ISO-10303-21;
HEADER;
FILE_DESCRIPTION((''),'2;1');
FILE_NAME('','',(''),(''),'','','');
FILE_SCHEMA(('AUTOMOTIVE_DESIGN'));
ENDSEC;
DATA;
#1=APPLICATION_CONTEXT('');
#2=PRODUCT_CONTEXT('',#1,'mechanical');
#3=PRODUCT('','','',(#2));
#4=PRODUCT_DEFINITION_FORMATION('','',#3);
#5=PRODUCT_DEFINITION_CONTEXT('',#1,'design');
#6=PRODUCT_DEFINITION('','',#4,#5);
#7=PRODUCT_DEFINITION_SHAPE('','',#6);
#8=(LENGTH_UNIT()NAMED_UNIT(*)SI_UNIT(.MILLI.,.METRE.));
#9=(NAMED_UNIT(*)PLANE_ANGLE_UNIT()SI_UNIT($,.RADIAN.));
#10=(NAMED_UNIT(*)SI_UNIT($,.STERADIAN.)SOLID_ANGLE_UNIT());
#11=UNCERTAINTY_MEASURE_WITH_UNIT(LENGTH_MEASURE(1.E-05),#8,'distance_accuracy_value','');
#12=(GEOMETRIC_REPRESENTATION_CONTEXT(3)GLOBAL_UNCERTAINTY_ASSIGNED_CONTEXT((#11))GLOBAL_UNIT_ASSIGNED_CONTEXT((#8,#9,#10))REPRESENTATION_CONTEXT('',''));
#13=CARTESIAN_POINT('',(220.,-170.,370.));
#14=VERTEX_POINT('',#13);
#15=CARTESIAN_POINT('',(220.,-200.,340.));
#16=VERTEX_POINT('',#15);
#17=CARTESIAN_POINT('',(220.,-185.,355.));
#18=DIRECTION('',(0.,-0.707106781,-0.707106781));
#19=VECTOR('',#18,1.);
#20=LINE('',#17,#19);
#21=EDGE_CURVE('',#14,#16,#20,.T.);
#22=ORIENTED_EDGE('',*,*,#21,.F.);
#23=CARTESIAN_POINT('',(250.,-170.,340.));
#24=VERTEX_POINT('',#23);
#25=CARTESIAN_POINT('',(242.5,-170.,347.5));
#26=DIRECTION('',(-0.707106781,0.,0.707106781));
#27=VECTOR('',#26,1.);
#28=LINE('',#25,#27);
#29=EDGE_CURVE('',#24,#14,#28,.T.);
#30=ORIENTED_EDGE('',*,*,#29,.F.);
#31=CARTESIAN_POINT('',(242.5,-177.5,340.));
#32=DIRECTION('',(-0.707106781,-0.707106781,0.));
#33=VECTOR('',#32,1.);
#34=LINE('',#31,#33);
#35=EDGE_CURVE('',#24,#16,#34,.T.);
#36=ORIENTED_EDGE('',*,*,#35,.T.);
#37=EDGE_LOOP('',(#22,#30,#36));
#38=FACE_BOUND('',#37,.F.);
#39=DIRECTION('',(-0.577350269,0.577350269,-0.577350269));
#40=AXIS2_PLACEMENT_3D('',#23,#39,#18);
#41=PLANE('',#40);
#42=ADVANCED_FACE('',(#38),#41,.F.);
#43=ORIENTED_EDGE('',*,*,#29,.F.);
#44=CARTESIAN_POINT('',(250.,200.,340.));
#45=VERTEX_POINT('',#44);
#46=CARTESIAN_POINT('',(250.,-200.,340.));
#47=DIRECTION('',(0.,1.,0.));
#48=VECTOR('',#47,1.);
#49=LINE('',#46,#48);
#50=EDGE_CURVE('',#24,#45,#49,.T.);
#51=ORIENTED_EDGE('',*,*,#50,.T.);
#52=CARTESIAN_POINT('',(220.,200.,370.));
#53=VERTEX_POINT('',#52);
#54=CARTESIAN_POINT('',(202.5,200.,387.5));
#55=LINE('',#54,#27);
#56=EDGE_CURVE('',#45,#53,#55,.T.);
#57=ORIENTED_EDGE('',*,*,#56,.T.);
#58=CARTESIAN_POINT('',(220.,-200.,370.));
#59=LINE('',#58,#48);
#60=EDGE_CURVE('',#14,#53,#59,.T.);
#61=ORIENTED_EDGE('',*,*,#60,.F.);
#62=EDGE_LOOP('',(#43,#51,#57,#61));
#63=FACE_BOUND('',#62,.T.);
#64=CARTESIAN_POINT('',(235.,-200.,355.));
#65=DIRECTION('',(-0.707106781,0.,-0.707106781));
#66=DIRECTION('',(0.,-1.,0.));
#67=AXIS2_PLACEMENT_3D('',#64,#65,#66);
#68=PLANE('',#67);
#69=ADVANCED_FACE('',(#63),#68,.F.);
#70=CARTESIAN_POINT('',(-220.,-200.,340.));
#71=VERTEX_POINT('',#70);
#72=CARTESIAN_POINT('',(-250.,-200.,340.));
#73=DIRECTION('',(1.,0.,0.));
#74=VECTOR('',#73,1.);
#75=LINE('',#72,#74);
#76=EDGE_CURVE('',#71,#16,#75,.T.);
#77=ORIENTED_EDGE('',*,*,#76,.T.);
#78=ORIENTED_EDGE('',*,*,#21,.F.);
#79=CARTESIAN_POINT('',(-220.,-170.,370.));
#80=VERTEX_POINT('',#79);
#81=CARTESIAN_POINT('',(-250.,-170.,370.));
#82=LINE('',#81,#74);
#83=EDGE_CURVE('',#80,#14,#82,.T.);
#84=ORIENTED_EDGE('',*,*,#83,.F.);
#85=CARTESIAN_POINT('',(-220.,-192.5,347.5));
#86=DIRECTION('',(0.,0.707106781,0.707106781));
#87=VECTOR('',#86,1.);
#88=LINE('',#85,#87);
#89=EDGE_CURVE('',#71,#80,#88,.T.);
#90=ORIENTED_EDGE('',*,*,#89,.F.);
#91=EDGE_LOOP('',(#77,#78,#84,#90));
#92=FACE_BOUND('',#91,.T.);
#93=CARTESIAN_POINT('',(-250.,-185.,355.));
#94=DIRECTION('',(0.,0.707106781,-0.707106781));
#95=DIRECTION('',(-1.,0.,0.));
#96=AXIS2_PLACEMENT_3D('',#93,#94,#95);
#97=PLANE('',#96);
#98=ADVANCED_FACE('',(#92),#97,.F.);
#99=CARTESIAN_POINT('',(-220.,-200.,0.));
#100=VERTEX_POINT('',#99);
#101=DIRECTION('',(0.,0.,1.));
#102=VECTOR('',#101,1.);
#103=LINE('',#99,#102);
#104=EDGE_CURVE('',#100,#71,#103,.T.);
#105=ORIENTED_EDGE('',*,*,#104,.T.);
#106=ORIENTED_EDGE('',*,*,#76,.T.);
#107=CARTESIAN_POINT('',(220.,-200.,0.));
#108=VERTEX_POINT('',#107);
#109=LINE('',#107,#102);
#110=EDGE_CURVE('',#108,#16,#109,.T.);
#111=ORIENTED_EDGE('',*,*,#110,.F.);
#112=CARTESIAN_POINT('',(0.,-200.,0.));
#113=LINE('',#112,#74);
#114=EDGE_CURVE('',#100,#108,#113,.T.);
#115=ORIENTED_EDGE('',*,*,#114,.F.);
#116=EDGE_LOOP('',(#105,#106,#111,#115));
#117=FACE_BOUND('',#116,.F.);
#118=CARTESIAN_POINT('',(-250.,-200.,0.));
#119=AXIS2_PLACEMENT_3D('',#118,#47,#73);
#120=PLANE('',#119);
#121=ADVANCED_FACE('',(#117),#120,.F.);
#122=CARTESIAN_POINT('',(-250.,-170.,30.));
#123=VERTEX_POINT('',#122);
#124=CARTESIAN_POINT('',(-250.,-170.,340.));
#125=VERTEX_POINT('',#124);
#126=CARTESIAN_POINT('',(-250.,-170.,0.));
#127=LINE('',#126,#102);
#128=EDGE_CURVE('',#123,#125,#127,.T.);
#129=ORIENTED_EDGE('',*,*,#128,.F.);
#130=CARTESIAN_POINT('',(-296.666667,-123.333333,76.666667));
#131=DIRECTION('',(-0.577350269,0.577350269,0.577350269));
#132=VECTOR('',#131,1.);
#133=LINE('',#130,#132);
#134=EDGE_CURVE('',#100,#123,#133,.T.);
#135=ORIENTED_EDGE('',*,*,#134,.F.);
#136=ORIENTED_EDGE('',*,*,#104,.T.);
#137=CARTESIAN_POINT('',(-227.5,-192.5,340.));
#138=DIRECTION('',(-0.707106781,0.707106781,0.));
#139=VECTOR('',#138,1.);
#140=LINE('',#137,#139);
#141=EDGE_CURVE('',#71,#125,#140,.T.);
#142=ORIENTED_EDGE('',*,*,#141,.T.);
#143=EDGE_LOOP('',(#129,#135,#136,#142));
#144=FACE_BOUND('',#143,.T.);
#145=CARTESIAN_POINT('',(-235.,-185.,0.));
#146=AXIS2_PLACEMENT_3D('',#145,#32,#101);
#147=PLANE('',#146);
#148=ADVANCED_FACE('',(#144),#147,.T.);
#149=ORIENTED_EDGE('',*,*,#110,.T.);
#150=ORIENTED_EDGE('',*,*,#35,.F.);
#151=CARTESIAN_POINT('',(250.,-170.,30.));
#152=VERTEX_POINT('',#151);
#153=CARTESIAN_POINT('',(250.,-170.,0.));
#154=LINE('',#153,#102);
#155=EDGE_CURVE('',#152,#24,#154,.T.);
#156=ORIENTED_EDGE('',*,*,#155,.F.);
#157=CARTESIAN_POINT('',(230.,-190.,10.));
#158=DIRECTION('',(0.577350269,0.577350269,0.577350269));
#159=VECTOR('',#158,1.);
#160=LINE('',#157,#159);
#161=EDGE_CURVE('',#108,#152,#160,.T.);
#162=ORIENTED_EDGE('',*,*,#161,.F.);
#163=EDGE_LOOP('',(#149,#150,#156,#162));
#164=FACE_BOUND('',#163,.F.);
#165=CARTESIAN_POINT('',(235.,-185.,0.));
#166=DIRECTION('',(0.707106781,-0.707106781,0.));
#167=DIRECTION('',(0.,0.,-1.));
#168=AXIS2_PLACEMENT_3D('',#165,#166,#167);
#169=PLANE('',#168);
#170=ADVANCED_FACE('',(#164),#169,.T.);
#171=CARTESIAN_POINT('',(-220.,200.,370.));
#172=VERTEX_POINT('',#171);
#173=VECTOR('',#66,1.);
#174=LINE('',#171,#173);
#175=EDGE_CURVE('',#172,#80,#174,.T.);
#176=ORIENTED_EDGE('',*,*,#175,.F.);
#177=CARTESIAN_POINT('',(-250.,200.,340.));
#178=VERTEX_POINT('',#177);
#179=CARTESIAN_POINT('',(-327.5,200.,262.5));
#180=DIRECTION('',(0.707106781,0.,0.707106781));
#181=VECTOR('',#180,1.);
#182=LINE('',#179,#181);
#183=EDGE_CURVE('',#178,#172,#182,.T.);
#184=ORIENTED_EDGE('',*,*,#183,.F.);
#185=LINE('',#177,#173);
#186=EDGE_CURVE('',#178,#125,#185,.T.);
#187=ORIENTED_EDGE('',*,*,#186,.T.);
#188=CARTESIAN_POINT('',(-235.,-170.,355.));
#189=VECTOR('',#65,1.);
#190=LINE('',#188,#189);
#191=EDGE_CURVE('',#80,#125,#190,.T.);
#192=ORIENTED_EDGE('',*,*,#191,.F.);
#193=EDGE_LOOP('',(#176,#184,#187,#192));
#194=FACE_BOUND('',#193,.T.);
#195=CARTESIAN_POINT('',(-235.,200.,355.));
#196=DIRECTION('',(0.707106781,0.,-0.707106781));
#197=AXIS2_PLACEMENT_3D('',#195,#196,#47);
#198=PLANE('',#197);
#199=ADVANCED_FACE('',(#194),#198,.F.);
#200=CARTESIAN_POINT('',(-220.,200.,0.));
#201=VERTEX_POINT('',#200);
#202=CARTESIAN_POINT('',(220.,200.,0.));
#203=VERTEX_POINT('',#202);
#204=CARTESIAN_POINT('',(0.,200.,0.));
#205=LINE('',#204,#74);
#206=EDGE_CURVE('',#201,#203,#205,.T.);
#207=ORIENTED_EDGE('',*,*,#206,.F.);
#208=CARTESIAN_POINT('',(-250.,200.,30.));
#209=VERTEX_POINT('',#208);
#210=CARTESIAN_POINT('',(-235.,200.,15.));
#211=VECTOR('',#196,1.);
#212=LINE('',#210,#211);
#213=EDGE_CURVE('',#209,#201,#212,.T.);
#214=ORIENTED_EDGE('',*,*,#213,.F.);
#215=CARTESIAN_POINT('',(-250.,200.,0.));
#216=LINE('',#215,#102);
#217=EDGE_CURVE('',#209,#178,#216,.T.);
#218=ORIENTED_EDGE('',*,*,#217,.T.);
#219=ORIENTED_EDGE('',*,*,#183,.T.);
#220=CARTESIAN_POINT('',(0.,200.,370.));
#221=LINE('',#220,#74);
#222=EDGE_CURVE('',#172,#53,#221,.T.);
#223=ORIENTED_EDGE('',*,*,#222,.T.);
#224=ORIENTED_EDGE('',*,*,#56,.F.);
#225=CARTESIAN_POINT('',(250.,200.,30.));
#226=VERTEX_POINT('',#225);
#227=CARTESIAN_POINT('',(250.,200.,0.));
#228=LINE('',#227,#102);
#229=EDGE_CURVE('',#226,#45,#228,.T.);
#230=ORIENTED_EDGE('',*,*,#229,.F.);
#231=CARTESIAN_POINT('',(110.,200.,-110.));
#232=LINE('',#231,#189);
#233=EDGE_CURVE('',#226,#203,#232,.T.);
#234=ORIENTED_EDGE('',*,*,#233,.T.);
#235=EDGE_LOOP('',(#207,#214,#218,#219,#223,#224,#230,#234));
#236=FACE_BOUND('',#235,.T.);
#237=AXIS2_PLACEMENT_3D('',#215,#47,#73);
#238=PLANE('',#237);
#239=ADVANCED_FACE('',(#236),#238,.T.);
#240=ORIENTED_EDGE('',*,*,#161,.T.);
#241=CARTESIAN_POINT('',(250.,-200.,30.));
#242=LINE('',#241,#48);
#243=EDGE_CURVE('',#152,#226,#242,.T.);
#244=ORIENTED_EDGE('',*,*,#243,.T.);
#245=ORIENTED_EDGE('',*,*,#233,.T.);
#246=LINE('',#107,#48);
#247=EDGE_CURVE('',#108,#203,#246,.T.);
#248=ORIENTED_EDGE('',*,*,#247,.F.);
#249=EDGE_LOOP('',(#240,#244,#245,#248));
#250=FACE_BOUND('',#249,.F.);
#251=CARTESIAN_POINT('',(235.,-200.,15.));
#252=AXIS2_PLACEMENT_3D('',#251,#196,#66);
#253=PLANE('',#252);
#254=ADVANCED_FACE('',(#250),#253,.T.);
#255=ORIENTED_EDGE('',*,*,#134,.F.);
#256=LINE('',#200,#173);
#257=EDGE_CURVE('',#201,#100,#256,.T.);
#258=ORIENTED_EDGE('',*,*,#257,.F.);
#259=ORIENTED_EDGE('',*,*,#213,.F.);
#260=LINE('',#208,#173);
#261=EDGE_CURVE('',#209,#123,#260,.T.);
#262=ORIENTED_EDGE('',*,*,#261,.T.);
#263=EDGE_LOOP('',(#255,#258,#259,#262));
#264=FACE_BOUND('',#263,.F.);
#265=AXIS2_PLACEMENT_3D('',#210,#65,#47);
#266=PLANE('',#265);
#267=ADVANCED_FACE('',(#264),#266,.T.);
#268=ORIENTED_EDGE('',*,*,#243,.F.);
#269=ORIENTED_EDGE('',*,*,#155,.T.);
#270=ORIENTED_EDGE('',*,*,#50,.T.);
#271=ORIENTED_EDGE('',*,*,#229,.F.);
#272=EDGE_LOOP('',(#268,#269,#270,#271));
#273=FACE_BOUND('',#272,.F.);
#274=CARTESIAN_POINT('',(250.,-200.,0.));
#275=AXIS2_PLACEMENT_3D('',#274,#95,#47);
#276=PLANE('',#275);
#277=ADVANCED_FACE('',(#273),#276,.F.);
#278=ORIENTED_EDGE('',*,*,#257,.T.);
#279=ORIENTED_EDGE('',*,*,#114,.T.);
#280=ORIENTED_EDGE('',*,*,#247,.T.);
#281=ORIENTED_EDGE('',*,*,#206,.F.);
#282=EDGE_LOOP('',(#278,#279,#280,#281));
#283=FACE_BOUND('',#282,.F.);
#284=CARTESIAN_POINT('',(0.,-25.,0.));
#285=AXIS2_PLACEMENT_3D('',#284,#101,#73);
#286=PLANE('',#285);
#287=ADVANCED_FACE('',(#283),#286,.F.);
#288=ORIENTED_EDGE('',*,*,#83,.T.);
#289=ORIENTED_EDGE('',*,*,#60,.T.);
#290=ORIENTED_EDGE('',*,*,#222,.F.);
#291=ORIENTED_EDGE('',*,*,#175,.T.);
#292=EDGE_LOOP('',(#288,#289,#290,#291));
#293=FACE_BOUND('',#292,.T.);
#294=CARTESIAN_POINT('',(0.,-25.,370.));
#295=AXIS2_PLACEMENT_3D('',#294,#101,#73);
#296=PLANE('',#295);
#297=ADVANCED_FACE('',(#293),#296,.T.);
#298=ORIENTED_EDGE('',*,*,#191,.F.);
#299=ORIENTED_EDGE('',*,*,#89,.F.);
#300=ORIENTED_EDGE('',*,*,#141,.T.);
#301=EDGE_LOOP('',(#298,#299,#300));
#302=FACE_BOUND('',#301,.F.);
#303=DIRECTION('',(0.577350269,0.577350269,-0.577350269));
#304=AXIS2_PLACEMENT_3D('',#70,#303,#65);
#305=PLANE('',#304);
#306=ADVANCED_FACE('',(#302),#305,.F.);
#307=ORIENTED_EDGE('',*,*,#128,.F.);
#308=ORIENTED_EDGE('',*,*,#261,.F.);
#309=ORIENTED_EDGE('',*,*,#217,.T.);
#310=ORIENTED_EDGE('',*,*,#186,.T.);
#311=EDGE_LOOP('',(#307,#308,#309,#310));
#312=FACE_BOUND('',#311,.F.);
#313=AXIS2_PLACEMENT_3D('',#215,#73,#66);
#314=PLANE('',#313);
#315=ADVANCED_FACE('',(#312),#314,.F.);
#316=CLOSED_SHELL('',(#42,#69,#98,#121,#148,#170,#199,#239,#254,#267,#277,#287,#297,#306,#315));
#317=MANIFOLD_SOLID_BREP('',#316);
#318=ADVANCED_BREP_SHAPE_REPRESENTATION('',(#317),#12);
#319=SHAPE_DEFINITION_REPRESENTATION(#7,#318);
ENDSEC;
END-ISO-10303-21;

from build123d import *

# Parameters (mm, degrees)
F0_W     = 500
F0_H     = 350
F0_H_2   = 50
F1_DEPTH = 370
F2_SIZE  = 30


with BuildPart() as f1:
    # F0 (on Top) → F1 (new body)
    with BuildSketch(Plane.XY):
        with Locations((0, -25)):
            Rectangle(F0_W, F0_H)
        with Locations((0, 175)):
            Rectangle(F0_W, F0_H_2)
    extrude(amount=F1_DEPTH)

    # F2
    f2_edges = [f1.edges().sort_by_distance(p)[0] for p in [
        (-250, 0, 370),
        (0, -200, 370),
        (250, 0, 370),
        (-250, -200, 185),
        (250, -200, 185),
        (250, 0, 0),
        (-250, 0, 0),
    ]]
    chamfer(f2_edges, length=F2_SIZE)


solid = f1.part
